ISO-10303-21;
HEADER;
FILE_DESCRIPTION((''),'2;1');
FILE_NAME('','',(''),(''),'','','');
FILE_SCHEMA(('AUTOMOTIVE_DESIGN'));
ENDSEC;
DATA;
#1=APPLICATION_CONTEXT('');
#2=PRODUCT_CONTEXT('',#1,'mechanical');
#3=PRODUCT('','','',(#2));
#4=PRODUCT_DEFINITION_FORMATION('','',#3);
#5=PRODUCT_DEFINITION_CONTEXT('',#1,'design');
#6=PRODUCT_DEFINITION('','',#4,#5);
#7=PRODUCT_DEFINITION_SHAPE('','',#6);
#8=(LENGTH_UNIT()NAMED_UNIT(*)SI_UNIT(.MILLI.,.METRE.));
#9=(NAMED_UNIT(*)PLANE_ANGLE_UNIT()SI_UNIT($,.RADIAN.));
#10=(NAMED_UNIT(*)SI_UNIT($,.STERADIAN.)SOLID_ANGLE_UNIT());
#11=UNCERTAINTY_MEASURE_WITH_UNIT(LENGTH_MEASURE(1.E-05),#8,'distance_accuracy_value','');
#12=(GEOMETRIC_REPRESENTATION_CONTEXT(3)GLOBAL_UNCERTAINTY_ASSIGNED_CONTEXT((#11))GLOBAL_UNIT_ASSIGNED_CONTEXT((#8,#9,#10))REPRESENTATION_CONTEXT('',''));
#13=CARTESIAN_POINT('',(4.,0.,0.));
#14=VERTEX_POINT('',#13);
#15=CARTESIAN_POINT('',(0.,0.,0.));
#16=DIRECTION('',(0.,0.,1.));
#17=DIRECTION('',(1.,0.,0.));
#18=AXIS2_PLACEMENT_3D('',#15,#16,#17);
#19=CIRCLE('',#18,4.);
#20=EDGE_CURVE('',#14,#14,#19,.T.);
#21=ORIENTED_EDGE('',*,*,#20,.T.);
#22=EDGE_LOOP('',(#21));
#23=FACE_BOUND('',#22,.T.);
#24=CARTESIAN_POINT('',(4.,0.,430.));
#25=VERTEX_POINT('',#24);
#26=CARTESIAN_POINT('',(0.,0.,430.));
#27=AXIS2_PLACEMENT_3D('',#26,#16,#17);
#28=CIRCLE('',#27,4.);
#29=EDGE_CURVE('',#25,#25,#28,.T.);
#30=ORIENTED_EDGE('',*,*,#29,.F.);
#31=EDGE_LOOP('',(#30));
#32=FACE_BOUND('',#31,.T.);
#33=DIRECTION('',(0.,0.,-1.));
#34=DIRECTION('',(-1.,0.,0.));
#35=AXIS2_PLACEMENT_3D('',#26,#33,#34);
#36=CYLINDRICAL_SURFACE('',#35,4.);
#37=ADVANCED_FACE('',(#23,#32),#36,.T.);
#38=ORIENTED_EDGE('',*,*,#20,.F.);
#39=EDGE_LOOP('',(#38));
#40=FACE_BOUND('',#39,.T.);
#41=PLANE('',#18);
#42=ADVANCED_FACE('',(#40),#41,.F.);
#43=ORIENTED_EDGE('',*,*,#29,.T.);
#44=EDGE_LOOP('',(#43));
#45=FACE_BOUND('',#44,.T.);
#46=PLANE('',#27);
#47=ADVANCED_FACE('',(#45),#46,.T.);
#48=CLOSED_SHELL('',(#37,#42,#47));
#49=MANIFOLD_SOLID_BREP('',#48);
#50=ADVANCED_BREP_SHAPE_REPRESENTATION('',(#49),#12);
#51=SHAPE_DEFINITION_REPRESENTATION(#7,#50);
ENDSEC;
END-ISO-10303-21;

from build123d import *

# Parameters (mm, degrees)
SKETCH_1_R      = 4
EXTRUDE_1_DEPTH = 430


with BuildPart() as part:
    # 草圖1 → 填料-伸長1 (new body)
    with BuildSketch(Plane.XY):
        Circle(SKETCH_1_R)
    extrude(amount=EXTRUDE_1_DEPTH)


solid = part.part
